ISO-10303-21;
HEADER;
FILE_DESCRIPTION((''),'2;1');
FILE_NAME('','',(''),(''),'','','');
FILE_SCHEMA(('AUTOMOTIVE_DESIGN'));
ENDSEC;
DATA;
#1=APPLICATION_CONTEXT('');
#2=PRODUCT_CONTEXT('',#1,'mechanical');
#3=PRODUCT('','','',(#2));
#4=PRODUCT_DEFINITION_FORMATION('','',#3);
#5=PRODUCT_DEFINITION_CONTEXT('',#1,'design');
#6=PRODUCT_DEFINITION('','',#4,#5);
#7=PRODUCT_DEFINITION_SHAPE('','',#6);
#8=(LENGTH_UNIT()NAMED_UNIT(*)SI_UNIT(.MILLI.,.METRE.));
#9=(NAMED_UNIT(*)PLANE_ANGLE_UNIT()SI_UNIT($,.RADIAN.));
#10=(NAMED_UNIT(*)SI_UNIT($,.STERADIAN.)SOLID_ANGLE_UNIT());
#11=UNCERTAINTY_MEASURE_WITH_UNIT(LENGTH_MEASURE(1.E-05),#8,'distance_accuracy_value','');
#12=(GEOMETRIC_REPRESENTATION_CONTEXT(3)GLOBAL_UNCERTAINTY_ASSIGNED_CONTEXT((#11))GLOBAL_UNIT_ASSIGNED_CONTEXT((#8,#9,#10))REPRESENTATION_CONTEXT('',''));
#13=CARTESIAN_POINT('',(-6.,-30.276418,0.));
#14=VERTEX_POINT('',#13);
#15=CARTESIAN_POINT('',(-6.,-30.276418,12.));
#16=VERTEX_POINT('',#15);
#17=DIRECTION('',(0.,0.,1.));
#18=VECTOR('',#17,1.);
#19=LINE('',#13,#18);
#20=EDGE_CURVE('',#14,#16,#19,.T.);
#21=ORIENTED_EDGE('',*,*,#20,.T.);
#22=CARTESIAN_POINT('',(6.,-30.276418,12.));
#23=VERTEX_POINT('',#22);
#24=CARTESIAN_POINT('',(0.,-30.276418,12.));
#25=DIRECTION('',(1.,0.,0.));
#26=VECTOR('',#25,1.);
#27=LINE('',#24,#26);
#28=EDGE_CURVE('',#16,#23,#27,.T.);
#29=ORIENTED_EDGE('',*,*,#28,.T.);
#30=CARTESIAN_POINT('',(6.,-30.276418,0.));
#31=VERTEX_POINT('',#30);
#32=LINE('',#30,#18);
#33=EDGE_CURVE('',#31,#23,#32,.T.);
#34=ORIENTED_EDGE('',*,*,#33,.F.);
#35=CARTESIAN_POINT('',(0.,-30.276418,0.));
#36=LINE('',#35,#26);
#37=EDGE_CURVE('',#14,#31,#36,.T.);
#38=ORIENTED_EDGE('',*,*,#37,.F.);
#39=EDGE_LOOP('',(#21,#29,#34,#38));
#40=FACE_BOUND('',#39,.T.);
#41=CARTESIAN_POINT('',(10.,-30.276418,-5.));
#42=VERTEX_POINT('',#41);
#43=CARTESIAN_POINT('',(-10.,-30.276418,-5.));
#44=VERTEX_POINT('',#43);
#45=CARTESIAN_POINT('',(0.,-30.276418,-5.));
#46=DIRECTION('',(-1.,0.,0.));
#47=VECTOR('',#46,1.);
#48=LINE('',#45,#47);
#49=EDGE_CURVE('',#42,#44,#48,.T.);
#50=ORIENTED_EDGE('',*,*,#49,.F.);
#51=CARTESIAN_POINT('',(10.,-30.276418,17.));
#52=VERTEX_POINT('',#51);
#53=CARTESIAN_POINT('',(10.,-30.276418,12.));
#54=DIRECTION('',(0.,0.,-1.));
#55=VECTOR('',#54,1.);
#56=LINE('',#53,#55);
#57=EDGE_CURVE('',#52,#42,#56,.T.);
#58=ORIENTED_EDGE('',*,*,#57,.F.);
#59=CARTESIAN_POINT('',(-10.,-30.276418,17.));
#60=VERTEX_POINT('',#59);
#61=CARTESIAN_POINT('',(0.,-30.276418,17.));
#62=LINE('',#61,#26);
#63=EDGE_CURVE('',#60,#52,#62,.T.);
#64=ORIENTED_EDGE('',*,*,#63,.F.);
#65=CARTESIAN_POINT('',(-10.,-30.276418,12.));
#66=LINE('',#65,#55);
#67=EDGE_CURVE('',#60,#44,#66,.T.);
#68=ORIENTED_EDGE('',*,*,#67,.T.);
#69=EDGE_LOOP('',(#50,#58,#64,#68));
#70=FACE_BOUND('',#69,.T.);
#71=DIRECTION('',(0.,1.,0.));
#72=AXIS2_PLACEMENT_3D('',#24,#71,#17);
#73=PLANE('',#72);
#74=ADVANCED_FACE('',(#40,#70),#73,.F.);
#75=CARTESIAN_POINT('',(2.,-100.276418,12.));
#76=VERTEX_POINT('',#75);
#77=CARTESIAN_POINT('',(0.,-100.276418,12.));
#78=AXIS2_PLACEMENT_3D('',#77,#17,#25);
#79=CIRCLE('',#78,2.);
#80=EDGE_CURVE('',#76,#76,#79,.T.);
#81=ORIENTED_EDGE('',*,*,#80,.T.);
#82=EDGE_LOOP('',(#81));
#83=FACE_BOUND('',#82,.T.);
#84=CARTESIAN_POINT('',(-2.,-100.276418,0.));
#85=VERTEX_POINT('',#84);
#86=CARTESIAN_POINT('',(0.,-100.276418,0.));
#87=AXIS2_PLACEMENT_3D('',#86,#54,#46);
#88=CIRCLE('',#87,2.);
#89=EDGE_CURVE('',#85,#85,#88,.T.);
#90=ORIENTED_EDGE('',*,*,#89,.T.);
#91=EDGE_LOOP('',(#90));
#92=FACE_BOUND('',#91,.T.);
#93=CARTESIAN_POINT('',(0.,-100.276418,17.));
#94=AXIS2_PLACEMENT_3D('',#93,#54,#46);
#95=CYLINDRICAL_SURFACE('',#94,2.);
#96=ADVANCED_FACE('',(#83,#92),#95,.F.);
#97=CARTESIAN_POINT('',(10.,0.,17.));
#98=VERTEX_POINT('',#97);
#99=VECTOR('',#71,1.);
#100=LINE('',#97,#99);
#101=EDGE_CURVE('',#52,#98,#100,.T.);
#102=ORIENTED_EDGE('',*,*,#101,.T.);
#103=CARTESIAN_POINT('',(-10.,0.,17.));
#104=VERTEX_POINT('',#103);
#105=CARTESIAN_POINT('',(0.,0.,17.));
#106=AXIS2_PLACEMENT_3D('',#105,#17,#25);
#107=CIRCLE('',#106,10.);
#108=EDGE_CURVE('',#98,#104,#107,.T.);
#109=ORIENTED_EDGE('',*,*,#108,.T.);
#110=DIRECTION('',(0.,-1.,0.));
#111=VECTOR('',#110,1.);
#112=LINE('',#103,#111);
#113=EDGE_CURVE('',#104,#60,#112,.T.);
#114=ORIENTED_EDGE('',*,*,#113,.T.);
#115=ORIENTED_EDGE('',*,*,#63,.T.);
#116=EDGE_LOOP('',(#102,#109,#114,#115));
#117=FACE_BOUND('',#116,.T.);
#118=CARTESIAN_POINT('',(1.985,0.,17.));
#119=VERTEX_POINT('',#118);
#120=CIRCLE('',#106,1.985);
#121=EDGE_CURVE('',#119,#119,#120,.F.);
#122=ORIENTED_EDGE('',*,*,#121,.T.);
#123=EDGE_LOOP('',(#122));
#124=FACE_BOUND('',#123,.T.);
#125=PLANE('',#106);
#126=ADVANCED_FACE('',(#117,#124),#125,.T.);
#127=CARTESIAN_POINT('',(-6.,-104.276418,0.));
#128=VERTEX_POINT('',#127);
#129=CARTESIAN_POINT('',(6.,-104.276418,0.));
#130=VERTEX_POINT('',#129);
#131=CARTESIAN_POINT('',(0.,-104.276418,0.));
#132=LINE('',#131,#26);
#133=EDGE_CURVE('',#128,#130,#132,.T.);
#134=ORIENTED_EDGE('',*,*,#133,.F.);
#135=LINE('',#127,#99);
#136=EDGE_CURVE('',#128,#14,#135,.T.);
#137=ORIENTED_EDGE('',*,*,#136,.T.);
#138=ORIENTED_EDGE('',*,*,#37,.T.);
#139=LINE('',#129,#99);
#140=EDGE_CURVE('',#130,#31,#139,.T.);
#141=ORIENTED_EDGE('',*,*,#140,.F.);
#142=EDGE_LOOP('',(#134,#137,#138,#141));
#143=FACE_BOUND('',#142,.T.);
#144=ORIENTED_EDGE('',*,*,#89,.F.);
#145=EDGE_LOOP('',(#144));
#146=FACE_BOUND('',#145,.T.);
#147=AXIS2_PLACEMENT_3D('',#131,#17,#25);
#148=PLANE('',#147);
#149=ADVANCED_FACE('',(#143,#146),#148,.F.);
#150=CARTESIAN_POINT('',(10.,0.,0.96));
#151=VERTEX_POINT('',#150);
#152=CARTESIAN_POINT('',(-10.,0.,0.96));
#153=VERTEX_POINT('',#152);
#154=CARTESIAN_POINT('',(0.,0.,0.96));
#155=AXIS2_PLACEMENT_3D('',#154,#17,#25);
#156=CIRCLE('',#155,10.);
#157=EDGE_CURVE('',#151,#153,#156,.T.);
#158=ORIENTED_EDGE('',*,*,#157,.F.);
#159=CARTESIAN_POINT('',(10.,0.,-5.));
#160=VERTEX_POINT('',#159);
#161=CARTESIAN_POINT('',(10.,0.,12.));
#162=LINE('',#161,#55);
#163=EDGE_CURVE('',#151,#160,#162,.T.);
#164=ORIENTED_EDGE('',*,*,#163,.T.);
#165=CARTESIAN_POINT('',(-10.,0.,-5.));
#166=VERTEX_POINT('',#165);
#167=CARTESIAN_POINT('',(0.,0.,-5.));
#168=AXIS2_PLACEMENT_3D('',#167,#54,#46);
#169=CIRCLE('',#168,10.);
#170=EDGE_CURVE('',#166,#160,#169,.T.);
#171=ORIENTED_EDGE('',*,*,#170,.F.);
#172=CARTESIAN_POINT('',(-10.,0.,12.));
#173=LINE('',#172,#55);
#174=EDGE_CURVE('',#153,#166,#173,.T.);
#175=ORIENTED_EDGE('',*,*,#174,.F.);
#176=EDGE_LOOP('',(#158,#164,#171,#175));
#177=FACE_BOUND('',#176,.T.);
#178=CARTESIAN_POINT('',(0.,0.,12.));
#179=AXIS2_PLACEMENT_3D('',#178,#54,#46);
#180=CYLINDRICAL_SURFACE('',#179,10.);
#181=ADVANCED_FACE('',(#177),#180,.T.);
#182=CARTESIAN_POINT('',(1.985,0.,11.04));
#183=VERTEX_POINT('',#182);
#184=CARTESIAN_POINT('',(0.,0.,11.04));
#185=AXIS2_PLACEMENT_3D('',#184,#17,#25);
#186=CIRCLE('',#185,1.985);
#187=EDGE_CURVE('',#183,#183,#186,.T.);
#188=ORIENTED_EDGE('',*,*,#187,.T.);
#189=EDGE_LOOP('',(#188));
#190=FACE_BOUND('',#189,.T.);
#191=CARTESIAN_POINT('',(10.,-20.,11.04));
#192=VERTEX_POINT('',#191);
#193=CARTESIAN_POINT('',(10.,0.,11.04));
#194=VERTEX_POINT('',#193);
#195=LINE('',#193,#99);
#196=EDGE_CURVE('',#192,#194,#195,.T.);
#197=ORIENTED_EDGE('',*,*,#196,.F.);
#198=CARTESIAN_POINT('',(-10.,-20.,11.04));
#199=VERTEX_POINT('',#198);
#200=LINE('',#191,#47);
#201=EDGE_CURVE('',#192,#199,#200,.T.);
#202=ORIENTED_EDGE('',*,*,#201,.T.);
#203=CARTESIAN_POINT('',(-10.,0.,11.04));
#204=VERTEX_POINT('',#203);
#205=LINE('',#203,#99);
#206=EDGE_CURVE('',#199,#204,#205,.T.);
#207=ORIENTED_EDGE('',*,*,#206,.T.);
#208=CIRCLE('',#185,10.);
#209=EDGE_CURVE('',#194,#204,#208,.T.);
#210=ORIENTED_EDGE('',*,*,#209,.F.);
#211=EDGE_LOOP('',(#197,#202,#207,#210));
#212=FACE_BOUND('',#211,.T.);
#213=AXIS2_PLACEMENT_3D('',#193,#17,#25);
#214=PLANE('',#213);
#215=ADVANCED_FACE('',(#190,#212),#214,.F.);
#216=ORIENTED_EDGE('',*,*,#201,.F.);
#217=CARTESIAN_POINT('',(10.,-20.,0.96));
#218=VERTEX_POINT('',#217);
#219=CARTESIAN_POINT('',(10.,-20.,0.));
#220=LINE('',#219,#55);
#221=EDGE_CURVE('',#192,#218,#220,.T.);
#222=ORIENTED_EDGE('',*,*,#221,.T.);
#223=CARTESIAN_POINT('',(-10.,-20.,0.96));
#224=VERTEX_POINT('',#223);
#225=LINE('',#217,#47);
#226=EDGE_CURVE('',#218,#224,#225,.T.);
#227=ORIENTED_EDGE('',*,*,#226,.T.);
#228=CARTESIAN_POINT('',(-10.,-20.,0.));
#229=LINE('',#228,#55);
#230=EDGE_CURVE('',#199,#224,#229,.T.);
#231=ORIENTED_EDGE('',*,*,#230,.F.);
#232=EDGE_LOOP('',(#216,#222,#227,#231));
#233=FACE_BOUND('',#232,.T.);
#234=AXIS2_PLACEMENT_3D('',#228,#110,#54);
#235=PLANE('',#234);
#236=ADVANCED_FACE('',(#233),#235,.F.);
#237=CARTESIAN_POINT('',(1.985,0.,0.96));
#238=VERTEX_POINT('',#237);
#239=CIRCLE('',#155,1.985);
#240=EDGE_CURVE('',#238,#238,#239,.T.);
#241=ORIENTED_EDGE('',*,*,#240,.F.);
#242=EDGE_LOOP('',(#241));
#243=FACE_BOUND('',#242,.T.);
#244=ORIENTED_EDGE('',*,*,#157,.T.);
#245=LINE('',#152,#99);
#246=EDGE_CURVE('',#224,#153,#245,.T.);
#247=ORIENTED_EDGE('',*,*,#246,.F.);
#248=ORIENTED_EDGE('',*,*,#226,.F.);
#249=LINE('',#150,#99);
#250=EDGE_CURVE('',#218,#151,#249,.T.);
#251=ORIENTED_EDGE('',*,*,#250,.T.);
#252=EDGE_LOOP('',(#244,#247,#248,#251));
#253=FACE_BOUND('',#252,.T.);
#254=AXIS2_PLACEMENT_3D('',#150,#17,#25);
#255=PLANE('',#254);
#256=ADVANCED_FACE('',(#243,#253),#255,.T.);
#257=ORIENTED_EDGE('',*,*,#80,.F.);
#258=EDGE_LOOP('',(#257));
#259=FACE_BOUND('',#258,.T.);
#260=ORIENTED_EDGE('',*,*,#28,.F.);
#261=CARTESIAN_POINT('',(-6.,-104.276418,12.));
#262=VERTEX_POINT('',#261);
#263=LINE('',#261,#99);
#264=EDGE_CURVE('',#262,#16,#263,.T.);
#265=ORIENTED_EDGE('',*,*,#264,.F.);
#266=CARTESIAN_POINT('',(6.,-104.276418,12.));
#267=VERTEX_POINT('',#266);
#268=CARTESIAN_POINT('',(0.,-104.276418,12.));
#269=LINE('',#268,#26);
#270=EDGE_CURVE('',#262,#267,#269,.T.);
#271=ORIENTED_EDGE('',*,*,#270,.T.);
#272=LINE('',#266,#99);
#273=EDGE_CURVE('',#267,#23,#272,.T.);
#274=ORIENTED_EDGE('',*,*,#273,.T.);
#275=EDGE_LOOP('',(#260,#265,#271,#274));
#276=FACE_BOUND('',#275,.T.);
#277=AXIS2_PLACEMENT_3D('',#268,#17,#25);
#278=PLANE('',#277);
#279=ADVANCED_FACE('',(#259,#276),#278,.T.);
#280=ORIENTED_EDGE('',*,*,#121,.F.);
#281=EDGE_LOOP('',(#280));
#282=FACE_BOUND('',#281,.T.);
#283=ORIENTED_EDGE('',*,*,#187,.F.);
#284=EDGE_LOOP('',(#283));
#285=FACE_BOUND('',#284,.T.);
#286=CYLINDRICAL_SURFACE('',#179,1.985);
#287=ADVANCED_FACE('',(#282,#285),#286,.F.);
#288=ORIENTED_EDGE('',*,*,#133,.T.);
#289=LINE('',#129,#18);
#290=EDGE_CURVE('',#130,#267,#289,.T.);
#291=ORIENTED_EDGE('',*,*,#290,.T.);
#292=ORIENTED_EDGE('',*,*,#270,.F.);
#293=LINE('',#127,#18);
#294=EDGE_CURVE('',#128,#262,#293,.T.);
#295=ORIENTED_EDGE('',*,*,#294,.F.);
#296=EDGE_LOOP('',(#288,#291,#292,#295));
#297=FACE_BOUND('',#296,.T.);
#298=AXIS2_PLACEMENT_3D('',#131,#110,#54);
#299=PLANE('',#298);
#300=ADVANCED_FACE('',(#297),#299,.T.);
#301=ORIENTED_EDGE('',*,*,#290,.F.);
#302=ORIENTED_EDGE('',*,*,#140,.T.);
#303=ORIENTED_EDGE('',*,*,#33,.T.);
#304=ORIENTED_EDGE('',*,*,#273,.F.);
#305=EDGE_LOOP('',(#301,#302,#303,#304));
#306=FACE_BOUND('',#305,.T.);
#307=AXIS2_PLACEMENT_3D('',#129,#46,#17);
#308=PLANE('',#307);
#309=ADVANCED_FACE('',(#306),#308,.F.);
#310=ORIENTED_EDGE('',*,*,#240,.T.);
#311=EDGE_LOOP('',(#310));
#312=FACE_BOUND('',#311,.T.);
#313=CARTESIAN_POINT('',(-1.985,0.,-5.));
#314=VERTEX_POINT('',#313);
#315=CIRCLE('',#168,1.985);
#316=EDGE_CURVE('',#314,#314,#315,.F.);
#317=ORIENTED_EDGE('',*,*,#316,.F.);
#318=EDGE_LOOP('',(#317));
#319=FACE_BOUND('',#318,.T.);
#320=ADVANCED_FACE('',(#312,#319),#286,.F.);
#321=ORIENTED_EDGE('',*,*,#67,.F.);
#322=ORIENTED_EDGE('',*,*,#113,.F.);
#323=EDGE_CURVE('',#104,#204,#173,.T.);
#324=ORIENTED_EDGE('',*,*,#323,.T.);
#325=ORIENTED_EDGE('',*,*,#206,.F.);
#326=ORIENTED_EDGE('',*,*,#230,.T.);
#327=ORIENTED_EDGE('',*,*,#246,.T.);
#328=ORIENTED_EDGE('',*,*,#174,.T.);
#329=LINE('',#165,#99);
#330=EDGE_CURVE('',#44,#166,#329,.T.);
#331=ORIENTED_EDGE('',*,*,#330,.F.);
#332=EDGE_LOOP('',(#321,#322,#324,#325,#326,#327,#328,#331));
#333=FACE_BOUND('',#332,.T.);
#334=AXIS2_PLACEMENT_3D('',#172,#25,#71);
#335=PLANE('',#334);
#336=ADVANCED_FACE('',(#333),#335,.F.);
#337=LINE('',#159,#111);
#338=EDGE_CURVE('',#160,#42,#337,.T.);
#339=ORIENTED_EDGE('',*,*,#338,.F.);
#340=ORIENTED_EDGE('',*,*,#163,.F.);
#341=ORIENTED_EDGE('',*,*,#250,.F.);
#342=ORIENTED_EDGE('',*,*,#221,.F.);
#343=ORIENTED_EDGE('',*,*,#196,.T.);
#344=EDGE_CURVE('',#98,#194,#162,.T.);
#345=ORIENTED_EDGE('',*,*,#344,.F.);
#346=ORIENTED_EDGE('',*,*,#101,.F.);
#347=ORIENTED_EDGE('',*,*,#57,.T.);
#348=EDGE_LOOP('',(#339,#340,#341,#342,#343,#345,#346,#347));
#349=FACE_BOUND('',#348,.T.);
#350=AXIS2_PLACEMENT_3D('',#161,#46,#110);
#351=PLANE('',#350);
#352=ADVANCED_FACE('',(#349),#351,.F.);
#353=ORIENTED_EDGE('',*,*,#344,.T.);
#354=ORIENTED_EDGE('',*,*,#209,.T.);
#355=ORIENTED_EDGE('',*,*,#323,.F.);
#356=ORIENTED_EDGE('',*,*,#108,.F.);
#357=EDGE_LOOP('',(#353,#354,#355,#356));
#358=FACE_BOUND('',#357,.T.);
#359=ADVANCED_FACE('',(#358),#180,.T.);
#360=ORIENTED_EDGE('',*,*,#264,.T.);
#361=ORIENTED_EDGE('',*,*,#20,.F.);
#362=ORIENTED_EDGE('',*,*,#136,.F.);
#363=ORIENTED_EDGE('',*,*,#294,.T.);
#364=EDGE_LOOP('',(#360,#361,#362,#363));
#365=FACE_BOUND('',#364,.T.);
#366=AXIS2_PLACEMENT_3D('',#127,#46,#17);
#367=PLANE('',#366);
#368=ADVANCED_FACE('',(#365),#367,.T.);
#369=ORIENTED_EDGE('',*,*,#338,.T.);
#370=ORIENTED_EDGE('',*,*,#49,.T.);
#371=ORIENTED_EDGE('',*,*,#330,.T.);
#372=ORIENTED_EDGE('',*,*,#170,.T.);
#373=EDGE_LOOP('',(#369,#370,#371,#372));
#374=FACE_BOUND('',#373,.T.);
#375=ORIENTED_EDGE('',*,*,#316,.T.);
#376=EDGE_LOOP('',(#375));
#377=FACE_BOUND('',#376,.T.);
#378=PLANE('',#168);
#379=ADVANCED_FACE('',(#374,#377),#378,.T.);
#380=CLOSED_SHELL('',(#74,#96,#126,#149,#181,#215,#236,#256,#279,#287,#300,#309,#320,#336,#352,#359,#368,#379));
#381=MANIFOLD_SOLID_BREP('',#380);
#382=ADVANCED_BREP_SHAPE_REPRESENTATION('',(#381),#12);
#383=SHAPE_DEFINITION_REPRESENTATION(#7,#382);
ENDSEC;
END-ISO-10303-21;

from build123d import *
from build123d.topology import SkipClean

# Parameters (mm, degrees)
SKETCH_1_R          = 1.985
EXTRUDE_1_DEPTH     = 12
CUT_EXTRUDE_1_DEPTH = 39.218600963
CUT_EXTRUDE_6_DEPTH = 39.218600963
SKETCH_12_R         = 1.985
EXTRUDE_11_DEPTH    = 5
EXTRUDE_START       = 5
SKETCH_13_R         = 1.985
EXTRUDE_12_DEPTH    = 5
SKETCH_14_W         = 2.04
SKETCH_14_H         = 20
CUT_EXTRUDE_7_DEPTH = 41.070705753
SKETCH_15_W         = 6
SKETCH_15_H         = 6
EXTRUDE_13_DEPTH    = 74
SKETCH_17_R         = 2
CUT_EXTRUDE_8_DEPTH = 107.125262104


with BuildPart() as part:
    # 草圖1 → 填料-伸長1 (new body)
    with BuildSketch(Plane.XY):
        with BuildLine():
            Line((-10, 0), (-10, -30.276417548))
            Line((-10, -30.276417548), (10, -30.276417548))
            Line((10, -30.276417548), (10, 0))
            ThreePointArc((10, 0), (0, 10), (-10, 0))
        make_face()
        Circle(SKETCH_1_R, mode=Mode.SUBTRACT)
    extrude(amount=EXTRUDE_1_DEPTH)

    # 草圖2 → 除料-伸長1 (cut, through all)
    with BuildSketch(Plane(origin=(10, 0, 0), x_dir=(0, 0, -1), z_dir=(1, 0, 0))):
        Polygon((-9, 0), (-6, 0), (-3, 0), (-3, 15.780779257), (-9, 15.780779257), align=None)
        Polygon((-3, 0), (-6, 0), (-9, 0), (-8.60053373, -20), (-3, -20), align=None)
    extrude(amount=-CUT_EXTRUDE_1_DEPTH, mode=Mode.SUBTRACT)

    # 草圖11 → 除料-伸長6 (cut, through all)
    with BuildSketch(Plane(origin=(10, 0, 0), x_dir=(0, 0, -1), z_dir=(1, 0, 0))):
        Polygon((-9, 0), (-9, -20), (-8.60053373, -20), align=None)
    extrude(amount=-CUT_EXTRUDE_6_DEPTH, mode=Mode.SUBTRACT)

    # 草圖12 → 填料-伸長11 (add)
    # profile 1 of 2: a face of its own
    with BuildSketch(Plane.XY.offset(12)):
        with BuildLine():
            ThreePointArc((10, 0), (0, 10), (-10, 0))
            ThreePointArc((-10, 0), (0, -10), (10, 0))
        make_face()
        Circle(SKETCH_12_R, mode=Mode.SUBTRACT)
    # profile 2 of 2: a face of its own
    with BuildSketch(Plane.XY.offset(12)):
        with BuildLine():
            ThreePointArc((10, 0), (0, -10), (-10, 0))
            Line((-10, 0), (-10, -30.276417548))
            Line((-10, -30.276417548), (10, -30.276417548))
            Line((10, -30.276417548), (10, 0))
        make_face()
    extrude(amount=EXTRUDE_11_DEPTH)

    # 草圖13 → 填料-伸長12 (add)
    # profile 1 of 2: a face of its own
    with SkipClean():  # the faces are left unmerged after this step: merging them gives an invalid solid
        with BuildSketch(Plane(origin=(0, 0, 0), x_dir=(-1, 0, 0), z_dir=(0, 0, -1)).offset(EXTRUDE_START)):
            with BuildLine():
                ThreePointArc((10, 0), (0, 10), (-10, 0))
                ThreePointArc((-10, 0), (0, -10), (10, 0))
            make_face()
            Circle(SKETCH_13_R, mode=Mode.SUBTRACT)
        # profile 2 of 2: a face of its own
        with BuildSketch(Plane(origin=(0, 0, 0), x_dir=(-1, 0, 0), z_dir=(0, 0, -1)).offset(EXTRUDE_START)):
            with BuildLine():
                ThreePointArc((10, 0), (0, -10), (-10, 0))
                Line((-10, 0), (-10, -30.276417548))
                Line((-10, -30.276417548), (10, -30.276417548))
                Line((10, -30.276417548), (10, 0))
            make_face()
        extrude(amount=-EXTRUDE_12_DEPTH)

    # 草圖14 → 除料-伸長7 (cut, through all)
    with SkipClean():  # the faces are left unmerged after this step: merging them gives an invalid solid
        with BuildSketch(Plane.ZY.offset(10)):
            Polygon((3, 0), (3, -20), (9, -20), (9, 0), (11.04, 0), (11.04, 10), (3, 10), (0.96, 10), (0.96, 0), align=None)
            with Locations((1.98, -10)):
                Rectangle(SKETCH_14_W, SKETCH_14_H)
            with Locations((10.02, -10)):
                Rectangle(SKETCH_14_W, SKETCH_14_H)
        extrude(amount=-CUT_EXTRUDE_7_DEPTH, mode=Mode.SUBTRACT)

    # 草圖15 → 填料-伸長13 (add)
    with SkipClean():  # the faces are left unmerged after this step: merging them gives an invalid solid
        with BuildSketch(Plane.XZ.offset(30.276417548)):
            with Locations((3, 9)):
                Rectangle(SKETCH_15_W, SKETCH_15_H)
            with Locations((-3, 9)):
                Rectangle(SKETCH_15_W, SKETCH_15_H)
            with Locations((3, 3)):
                Rectangle(SKETCH_15_W, SKETCH_15_H)
            with Locations((-3, 3)):
                Rectangle(SKETCH_15_W, SKETCH_15_H)
        extrude(amount=EXTRUDE_13_DEPTH)

    # 草圖17 → 除料-伸長8 (cut, through all)
    with SkipClean():  # the faces are left unmerged after this step: merging them gives an invalid solid
        with BuildSketch(Plane(origin=(0, 0, 0), x_dir=(-1, 0, 0), z_dir=(0, 0, -1))):
            with Locations((0, -100.276417548)):
                Circle(SKETCH_17_R)
        extrude(amount=-CUT_EXTRUDE_8_DEPTH, mode=Mode.SUBTRACT)


solid = part.part
